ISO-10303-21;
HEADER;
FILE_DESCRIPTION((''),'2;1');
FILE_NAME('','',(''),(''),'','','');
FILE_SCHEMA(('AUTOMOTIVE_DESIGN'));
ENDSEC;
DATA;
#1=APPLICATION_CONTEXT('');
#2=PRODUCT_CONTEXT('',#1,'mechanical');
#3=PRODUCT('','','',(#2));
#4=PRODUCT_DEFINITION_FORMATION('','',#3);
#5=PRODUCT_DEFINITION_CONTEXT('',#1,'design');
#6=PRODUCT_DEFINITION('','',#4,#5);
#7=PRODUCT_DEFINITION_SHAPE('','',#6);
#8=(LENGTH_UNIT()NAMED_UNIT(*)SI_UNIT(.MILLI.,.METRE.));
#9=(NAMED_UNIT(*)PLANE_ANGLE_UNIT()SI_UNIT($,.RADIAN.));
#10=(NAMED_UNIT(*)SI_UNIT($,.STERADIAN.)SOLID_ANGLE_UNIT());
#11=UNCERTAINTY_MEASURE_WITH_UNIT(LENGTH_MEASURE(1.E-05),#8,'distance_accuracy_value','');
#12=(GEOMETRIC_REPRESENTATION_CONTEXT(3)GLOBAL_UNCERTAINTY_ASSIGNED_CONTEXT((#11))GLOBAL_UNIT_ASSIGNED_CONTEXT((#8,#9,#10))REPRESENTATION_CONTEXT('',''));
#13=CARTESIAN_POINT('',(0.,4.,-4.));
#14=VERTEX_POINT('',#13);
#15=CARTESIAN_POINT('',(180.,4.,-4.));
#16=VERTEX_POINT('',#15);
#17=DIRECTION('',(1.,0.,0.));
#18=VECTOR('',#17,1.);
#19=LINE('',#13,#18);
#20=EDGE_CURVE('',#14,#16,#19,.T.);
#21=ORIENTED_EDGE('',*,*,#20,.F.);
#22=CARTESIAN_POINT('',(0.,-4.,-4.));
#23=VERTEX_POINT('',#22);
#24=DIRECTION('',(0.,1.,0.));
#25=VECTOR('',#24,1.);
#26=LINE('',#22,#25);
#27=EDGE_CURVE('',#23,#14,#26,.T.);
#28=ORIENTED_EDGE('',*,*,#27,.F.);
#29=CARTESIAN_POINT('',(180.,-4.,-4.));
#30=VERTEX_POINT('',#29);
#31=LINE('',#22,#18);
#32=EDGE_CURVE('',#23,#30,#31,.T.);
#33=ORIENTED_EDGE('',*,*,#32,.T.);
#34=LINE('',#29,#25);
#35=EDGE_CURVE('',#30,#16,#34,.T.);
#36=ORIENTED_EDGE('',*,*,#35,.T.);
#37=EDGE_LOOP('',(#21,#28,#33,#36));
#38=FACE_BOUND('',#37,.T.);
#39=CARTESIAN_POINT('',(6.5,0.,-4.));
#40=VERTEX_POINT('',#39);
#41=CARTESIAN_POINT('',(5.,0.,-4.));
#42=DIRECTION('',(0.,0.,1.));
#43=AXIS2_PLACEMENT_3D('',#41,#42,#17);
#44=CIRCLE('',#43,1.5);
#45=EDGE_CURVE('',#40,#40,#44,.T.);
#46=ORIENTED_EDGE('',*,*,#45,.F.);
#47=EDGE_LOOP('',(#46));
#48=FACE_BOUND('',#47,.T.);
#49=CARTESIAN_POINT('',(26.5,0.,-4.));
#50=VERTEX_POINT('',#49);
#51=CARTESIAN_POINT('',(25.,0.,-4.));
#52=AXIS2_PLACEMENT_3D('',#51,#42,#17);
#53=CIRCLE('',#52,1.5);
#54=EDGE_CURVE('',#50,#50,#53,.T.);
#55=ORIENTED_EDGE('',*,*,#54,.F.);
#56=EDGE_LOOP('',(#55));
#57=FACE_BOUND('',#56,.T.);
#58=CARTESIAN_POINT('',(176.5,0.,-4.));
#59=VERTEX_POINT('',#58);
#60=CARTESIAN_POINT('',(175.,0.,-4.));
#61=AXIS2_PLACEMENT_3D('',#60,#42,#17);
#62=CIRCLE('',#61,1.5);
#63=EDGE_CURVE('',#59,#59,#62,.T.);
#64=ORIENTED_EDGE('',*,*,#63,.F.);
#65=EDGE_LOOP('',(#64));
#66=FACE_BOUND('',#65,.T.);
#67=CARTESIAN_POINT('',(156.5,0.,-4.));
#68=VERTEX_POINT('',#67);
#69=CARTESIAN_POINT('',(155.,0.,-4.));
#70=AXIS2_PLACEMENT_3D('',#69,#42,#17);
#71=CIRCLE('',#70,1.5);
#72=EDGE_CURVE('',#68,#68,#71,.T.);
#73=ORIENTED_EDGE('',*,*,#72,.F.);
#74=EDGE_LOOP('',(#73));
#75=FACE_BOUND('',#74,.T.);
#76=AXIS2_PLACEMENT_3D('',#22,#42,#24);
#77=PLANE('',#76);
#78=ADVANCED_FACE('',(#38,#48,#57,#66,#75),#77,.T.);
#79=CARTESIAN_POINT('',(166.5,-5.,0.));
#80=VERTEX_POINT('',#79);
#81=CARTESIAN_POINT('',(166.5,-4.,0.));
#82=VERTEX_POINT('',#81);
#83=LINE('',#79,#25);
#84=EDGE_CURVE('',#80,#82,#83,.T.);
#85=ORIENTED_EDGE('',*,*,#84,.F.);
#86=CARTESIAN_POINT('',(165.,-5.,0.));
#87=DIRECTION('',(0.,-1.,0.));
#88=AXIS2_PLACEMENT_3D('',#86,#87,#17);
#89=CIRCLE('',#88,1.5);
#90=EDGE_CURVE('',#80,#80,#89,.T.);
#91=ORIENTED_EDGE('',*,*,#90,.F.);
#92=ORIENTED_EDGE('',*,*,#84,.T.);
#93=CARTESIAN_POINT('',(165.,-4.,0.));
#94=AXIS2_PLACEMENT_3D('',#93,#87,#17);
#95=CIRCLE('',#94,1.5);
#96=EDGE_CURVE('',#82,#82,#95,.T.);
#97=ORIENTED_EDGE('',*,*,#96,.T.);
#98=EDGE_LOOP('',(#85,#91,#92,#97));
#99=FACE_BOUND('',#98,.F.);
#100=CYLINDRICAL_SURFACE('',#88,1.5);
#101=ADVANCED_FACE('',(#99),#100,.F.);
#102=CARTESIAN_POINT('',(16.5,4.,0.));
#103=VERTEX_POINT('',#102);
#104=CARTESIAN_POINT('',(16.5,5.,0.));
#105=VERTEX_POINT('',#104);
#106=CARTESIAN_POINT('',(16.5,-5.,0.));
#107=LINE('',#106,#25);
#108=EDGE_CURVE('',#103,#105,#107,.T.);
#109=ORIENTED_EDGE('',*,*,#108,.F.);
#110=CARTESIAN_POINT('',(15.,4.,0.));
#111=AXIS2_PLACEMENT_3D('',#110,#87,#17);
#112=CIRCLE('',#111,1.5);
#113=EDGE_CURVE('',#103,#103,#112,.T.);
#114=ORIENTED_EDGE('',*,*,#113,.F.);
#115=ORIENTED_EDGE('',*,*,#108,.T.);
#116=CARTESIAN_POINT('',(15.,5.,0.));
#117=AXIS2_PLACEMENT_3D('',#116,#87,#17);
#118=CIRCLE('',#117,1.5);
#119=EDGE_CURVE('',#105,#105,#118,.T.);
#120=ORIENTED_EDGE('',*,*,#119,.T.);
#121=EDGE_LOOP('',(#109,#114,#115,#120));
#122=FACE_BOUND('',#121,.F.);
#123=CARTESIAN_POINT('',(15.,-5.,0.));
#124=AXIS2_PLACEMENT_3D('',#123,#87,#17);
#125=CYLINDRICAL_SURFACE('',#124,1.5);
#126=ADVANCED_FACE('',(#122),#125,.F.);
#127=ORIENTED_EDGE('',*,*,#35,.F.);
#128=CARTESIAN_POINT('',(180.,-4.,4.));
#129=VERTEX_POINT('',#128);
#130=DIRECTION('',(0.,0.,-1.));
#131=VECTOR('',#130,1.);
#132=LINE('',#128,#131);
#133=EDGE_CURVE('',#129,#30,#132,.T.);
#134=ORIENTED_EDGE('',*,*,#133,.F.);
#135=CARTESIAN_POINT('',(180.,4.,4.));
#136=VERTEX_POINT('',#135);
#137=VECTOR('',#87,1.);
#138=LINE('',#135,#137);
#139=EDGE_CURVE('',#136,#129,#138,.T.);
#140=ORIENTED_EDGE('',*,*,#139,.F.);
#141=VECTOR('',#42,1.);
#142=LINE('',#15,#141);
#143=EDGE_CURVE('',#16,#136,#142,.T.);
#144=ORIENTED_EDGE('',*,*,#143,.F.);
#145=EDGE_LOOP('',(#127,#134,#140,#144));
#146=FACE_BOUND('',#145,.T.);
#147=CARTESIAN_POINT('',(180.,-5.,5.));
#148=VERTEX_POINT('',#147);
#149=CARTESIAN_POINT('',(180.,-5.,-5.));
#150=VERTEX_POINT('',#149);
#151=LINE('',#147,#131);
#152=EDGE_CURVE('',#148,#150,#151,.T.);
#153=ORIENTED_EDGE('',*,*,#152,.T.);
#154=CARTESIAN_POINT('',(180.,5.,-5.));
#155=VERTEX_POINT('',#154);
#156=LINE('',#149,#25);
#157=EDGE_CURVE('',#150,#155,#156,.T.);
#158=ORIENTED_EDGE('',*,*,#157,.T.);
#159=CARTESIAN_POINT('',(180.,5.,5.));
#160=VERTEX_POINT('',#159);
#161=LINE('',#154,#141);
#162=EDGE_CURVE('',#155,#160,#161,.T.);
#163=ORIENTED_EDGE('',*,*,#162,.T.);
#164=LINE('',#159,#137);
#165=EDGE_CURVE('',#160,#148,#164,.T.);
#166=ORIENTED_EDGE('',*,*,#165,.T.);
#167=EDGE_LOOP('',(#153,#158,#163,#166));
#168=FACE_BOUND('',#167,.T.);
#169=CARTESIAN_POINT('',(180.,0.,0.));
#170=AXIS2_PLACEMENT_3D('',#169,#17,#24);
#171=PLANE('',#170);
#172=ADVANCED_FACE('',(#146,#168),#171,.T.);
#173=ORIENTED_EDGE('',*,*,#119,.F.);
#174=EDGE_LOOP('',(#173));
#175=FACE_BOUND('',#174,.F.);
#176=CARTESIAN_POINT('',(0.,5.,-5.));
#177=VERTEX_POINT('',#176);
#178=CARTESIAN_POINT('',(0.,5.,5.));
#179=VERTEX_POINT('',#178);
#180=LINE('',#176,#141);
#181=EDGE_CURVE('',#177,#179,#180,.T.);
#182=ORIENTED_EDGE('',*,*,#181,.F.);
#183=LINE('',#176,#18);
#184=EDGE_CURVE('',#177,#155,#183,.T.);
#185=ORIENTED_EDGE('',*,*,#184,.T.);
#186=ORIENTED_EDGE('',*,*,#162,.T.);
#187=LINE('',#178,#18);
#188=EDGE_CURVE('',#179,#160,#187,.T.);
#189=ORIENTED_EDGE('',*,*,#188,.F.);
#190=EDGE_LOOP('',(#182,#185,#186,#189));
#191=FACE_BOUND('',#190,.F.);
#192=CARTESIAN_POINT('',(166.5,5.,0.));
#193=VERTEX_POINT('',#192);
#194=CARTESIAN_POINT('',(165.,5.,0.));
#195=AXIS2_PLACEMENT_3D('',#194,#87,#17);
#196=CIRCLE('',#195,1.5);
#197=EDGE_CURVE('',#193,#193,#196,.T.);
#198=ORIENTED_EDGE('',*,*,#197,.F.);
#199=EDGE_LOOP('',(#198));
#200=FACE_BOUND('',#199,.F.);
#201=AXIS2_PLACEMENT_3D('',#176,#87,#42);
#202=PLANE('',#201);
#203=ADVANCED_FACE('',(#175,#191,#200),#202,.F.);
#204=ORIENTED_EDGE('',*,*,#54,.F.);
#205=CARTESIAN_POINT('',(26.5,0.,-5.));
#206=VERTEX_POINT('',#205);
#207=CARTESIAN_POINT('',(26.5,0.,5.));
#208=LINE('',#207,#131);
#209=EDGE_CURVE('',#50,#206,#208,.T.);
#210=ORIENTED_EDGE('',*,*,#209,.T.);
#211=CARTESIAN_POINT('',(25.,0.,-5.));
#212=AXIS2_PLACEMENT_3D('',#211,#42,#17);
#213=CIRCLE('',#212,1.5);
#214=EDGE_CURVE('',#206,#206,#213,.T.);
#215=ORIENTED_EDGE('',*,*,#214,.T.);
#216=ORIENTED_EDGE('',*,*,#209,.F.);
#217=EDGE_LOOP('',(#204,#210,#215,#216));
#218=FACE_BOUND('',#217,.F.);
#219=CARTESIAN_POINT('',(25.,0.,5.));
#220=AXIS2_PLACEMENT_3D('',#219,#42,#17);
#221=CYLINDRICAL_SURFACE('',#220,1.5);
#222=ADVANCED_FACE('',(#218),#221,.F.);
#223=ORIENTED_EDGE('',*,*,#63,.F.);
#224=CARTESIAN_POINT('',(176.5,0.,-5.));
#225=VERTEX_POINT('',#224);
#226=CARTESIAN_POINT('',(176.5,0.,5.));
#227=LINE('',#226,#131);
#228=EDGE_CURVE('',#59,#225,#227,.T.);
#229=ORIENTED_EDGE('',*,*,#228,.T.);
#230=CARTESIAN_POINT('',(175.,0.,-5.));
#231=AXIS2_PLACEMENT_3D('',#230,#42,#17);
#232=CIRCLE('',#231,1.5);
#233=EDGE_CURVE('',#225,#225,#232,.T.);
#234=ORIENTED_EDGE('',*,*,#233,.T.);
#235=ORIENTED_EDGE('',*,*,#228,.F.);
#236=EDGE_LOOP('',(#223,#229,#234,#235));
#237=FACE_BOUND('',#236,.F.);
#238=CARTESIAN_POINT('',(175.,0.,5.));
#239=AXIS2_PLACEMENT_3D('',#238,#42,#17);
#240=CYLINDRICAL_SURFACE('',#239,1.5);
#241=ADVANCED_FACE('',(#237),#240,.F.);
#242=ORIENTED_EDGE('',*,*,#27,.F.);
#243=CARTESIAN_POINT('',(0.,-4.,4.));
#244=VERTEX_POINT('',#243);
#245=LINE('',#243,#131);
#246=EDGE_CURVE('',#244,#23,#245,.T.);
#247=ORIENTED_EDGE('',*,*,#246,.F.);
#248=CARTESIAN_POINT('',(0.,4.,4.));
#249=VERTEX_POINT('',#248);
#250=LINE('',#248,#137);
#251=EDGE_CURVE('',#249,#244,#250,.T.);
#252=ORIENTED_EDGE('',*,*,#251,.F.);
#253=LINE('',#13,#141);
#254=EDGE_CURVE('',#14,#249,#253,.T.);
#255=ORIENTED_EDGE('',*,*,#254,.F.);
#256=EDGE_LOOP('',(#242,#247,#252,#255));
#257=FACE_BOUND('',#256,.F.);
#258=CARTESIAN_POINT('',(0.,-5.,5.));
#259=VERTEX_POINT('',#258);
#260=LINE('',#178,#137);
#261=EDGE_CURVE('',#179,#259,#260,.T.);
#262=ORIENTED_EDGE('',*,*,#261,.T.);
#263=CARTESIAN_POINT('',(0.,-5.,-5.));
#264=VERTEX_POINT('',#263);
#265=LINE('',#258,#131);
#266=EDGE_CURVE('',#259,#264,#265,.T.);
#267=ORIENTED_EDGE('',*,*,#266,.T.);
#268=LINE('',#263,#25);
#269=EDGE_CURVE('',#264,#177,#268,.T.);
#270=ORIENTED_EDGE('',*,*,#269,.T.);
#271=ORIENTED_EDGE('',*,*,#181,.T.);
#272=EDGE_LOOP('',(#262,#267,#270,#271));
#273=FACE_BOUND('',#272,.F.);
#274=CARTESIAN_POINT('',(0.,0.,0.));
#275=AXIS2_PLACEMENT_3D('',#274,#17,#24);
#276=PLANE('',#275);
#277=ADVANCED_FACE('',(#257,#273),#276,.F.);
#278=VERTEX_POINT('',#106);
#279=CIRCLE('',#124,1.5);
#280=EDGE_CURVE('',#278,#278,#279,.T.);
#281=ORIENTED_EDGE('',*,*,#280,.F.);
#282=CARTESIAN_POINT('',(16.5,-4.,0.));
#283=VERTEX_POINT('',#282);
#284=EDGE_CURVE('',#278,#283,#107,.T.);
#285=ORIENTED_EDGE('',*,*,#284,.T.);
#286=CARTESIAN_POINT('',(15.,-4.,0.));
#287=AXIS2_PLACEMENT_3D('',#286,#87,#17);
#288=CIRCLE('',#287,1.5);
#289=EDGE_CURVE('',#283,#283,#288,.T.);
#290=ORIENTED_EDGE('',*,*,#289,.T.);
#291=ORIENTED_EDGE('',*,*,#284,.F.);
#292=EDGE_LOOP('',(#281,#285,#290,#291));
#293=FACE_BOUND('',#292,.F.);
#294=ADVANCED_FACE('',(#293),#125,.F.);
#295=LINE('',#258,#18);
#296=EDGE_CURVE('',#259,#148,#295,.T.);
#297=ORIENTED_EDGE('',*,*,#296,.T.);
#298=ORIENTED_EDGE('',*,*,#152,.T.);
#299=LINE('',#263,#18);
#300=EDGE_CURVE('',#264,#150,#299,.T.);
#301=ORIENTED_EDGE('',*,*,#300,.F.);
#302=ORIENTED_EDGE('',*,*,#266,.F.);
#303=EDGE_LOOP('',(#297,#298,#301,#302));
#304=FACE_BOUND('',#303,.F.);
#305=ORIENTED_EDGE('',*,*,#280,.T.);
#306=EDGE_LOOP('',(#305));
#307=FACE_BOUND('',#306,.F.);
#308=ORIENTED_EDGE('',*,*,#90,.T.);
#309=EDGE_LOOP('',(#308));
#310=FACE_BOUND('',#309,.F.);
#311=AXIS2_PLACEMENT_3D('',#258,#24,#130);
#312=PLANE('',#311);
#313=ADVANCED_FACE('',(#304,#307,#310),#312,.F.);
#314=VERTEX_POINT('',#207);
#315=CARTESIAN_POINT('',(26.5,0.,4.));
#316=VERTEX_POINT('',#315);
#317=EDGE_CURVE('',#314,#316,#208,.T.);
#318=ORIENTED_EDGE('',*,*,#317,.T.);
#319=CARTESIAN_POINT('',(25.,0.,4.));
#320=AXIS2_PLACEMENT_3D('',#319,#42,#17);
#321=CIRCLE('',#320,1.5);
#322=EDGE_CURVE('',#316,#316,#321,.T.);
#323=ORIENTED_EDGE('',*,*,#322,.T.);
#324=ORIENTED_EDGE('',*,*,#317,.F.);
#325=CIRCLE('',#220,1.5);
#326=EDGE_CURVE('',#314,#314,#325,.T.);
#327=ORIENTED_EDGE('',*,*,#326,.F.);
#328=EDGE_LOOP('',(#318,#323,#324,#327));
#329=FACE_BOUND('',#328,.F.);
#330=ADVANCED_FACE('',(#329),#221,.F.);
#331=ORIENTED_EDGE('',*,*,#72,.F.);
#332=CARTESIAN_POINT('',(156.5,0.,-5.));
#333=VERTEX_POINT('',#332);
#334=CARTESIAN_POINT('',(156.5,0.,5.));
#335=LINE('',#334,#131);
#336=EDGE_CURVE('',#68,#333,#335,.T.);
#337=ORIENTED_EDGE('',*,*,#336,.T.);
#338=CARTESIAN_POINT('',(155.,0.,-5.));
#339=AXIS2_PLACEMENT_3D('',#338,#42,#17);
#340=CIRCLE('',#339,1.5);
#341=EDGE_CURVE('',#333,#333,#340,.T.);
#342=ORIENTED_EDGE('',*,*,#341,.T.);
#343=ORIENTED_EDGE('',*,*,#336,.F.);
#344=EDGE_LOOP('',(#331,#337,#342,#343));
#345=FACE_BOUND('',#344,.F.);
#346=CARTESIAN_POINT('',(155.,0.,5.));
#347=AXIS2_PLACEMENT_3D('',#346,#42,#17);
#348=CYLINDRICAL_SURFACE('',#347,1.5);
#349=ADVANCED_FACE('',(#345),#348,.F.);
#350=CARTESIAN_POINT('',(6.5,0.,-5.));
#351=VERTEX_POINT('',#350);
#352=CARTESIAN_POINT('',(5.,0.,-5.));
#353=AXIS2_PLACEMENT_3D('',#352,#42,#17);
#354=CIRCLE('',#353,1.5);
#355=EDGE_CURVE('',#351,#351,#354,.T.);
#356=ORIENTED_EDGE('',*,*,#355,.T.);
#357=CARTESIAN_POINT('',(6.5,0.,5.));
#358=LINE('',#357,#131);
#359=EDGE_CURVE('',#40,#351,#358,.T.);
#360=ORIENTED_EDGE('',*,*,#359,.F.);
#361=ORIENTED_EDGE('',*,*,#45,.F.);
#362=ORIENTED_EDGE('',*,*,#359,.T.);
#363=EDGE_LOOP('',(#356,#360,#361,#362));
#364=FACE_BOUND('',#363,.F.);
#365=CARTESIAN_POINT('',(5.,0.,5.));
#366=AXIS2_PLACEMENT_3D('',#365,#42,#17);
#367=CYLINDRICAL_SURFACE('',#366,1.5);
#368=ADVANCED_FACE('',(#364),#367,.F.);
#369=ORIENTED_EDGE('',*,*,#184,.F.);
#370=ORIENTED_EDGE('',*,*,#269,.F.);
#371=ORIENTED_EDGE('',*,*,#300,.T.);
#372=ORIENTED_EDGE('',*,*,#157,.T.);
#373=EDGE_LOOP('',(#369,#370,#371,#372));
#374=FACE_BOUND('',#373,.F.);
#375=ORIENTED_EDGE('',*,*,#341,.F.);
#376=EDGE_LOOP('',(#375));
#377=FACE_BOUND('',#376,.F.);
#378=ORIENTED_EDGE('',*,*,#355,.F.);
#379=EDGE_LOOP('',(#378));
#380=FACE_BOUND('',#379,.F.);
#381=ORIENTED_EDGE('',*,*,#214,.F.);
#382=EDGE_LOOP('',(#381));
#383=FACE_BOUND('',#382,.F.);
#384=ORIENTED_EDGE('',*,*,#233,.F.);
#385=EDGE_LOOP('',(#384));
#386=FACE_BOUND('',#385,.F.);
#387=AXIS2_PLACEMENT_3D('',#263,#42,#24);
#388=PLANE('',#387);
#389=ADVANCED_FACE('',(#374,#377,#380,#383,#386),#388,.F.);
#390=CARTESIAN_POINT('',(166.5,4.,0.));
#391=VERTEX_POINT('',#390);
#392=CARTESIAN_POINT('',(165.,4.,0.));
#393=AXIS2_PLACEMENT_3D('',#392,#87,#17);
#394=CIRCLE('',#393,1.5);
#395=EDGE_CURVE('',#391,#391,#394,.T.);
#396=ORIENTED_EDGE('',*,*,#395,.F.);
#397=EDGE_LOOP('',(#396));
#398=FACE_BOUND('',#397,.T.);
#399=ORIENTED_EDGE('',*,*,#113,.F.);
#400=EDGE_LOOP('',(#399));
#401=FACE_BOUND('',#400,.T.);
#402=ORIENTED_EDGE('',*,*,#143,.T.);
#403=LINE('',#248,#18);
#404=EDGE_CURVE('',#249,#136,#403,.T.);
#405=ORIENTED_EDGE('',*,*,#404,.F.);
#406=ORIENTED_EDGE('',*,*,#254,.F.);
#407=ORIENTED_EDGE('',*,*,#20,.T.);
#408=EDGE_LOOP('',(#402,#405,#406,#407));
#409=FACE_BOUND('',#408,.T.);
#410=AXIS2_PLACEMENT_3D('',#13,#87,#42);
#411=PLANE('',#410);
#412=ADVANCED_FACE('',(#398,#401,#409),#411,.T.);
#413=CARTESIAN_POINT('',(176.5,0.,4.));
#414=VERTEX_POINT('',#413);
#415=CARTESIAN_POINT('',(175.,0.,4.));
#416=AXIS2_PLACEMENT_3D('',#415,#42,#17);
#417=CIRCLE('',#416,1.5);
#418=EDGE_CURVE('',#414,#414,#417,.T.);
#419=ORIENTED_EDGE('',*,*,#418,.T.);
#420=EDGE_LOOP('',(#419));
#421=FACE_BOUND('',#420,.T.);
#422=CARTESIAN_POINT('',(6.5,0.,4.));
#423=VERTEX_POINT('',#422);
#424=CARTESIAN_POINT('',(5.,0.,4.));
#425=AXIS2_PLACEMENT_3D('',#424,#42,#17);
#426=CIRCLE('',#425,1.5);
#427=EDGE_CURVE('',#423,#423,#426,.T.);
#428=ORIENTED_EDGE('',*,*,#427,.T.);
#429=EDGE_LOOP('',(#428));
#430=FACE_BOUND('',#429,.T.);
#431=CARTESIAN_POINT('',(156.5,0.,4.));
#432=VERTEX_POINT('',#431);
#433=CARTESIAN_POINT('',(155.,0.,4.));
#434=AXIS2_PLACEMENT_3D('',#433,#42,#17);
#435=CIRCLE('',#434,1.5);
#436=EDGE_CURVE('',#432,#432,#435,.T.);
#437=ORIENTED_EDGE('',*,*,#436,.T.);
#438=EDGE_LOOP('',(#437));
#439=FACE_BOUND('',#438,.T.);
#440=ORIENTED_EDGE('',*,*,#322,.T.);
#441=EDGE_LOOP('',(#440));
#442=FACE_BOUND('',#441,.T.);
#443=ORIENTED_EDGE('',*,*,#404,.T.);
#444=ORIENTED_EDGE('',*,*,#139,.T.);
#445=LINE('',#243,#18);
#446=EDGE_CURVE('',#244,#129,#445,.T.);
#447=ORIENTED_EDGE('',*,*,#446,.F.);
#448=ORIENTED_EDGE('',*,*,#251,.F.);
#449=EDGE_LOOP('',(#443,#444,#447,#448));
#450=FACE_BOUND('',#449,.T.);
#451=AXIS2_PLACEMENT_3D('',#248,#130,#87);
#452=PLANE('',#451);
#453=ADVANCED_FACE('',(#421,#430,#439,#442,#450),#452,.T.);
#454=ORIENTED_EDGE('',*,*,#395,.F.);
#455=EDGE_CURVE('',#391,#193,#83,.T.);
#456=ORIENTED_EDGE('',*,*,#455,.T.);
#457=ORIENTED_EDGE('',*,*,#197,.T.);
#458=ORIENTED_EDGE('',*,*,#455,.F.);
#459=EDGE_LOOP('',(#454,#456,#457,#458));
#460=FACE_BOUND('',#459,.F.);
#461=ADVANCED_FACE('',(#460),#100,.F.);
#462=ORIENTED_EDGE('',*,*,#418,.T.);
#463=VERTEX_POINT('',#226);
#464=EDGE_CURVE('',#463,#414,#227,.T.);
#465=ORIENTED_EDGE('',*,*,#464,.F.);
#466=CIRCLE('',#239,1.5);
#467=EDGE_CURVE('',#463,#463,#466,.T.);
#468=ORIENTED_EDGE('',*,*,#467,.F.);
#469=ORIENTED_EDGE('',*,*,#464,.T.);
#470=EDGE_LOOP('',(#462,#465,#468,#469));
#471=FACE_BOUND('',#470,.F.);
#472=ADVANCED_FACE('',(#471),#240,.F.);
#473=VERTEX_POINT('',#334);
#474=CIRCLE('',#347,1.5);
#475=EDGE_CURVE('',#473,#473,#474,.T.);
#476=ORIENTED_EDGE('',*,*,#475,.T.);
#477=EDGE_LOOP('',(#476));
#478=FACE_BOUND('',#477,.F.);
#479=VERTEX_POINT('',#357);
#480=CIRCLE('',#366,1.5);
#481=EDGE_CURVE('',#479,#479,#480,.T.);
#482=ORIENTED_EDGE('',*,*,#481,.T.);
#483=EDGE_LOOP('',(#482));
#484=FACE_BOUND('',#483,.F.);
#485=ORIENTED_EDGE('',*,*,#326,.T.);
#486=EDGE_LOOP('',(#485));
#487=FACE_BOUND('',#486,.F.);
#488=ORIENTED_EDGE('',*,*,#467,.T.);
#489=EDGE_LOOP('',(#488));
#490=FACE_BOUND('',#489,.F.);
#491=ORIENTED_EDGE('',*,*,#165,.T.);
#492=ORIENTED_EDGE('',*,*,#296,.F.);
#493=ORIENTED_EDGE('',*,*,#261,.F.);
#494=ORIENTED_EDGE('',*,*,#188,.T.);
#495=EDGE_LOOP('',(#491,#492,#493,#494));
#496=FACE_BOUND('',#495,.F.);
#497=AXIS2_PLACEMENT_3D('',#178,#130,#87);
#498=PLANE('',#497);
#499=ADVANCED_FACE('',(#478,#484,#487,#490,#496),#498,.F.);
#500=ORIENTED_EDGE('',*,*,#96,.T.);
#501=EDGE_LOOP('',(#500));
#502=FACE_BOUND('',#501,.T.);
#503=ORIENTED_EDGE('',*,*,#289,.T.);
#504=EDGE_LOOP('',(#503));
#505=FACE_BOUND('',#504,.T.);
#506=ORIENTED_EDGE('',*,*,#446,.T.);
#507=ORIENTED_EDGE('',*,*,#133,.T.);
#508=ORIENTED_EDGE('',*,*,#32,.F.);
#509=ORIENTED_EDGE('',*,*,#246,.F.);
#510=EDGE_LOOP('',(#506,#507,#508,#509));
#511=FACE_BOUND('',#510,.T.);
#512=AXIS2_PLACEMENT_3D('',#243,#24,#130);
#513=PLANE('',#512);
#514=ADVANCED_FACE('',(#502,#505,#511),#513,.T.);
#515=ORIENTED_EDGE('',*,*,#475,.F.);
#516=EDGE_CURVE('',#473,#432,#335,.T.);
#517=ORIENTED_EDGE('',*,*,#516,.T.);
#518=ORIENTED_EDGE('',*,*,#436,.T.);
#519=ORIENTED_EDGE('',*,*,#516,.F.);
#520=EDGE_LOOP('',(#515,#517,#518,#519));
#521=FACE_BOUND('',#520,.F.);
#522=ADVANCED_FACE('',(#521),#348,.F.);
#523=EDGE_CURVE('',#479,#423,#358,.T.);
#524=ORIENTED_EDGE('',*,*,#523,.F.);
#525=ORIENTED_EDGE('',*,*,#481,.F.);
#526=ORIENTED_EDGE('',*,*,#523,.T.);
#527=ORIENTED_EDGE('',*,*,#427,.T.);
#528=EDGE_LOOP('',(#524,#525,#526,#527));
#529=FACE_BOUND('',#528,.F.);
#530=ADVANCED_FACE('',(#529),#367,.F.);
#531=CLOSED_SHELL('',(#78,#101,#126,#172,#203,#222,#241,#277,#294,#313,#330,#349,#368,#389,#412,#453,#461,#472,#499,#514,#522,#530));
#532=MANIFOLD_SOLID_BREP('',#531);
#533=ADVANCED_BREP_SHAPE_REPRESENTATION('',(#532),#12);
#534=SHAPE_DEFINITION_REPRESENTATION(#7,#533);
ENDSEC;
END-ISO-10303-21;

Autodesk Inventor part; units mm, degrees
ref_plane "YZ Plane" through (0, 0, 0) normal (1, 0, 0) x (0, 1, 0)
ref_plane "XZ Plane" through (0, 0, 0) normal (0, 1, 0) x (-1, 0, 0)
ref_plane "XY Plane" through (0, 0, 0) normal (0, 0, 1) x (1, 0, 0)
sketch "スケッチ1" plane through (0, 0, 0) normal (1, 0, 0) x (0, 1, 0)
  line L0 (5, 5) -> (-5, 5)
  line L1 (-5, 5) -> (-5, -5)
  line L2 (-5, -5) -> (5, -5)
  line L3 (5, -5) -> (5, 5)
  line L4 (4, 4) -> (-4, 4)
  line L5 (-4, 4) -> (-4, -4)
  line L6 (-4, -4) -> (4, -4)
  line L7 (4, -4) -> (4, 4)
  point P0 (0, 0)
  dimension "d0" = 1
  dimension "d1" = 1
  dimension "d2" = 1
  dimension "d3" = 1
  dimension "d4" = 10
  dimension "d5" = 10
  dimension "d6" = 5
  dimension "d7" = 5
extrude "押し出し1" add sketch "スケッチ1" along normal blind 180
sketch "スケッチ2" plane through (0, -5, 5) normal (0, 0, 1) x (1, 0, 0)
  circle A0 centre (5, 5) radius 1.5
  circle A1 centre (175, 5) radius 1.5
  line L0 (180, 10) -> (180, 0) projected
  line L1 (0, 0) -> (180, 0) projected
  line L2 (0, 10) -> (0, 0) projected
  line L3 (0, 10) -> (180, 10) projected
  point P0 (0, 5)
  dimension "d10" = 5
  dimension "d11" = 3
  dimension "d12" = 5
  dimension "d13" = 3
  dimension "d14" = 5
  dimension "d15" = 5
extrude "押し出し2" cut sketch "スケッチ2" against normal blind 200 contours A0 | A1
sketch "スケッチ3" plane through (0, -5, -5) normal (0, -1, 0) x (1, 0, 0)
  circle A0 centre (15, 5) radius 1.5
  line L0 (0, 10) -> (0, 0) projected
  line L1 (0, 0) -> (180, 0) projected
  circle A1 centre (165, 5) radius 1.5
  line L2 (180, 10) -> (180, 0) projected
  line L3 (0, 10) -> (180, 10) projected
  point P0 (0, 5)
  dimension "d18" = 15
  dimension "d19" = 3
  dimension "d20" = 5
  dimension "d21" = 3
  dimension "d22" = 15
  dimension "d23" = 5
extrude "押し出し3" cut sketch "スケッチ3" against normal blind 200 contours A0 | A1
sketch "スケッチ4" plane through (0, -5, 5) normal (0, 0, 1) x (1, 0, 0)
  circle A0 centre (25, 5) radius 1.5
  circle A1 centre (155, 5) radius 1.5
  line L0 (0, 10) -> (0, 0) projected
  line L1 (0, 0) -> (180, 0) projected
  line L2 (180, 10) -> (180, 0) projected
  point P0 (0, 5)
  dimension "d26" = 25
  dimension "d27" = 3
  dimension "d28" = 5
  dimension "d29" = 5
  dimension "d30" = 25
  dimension "d31" = 3
extrude "押し出し4" cut sketch "スケッチ4" against normal blind 200
properties part number "モーターパーツ３" material "アルミニウム 6061"
